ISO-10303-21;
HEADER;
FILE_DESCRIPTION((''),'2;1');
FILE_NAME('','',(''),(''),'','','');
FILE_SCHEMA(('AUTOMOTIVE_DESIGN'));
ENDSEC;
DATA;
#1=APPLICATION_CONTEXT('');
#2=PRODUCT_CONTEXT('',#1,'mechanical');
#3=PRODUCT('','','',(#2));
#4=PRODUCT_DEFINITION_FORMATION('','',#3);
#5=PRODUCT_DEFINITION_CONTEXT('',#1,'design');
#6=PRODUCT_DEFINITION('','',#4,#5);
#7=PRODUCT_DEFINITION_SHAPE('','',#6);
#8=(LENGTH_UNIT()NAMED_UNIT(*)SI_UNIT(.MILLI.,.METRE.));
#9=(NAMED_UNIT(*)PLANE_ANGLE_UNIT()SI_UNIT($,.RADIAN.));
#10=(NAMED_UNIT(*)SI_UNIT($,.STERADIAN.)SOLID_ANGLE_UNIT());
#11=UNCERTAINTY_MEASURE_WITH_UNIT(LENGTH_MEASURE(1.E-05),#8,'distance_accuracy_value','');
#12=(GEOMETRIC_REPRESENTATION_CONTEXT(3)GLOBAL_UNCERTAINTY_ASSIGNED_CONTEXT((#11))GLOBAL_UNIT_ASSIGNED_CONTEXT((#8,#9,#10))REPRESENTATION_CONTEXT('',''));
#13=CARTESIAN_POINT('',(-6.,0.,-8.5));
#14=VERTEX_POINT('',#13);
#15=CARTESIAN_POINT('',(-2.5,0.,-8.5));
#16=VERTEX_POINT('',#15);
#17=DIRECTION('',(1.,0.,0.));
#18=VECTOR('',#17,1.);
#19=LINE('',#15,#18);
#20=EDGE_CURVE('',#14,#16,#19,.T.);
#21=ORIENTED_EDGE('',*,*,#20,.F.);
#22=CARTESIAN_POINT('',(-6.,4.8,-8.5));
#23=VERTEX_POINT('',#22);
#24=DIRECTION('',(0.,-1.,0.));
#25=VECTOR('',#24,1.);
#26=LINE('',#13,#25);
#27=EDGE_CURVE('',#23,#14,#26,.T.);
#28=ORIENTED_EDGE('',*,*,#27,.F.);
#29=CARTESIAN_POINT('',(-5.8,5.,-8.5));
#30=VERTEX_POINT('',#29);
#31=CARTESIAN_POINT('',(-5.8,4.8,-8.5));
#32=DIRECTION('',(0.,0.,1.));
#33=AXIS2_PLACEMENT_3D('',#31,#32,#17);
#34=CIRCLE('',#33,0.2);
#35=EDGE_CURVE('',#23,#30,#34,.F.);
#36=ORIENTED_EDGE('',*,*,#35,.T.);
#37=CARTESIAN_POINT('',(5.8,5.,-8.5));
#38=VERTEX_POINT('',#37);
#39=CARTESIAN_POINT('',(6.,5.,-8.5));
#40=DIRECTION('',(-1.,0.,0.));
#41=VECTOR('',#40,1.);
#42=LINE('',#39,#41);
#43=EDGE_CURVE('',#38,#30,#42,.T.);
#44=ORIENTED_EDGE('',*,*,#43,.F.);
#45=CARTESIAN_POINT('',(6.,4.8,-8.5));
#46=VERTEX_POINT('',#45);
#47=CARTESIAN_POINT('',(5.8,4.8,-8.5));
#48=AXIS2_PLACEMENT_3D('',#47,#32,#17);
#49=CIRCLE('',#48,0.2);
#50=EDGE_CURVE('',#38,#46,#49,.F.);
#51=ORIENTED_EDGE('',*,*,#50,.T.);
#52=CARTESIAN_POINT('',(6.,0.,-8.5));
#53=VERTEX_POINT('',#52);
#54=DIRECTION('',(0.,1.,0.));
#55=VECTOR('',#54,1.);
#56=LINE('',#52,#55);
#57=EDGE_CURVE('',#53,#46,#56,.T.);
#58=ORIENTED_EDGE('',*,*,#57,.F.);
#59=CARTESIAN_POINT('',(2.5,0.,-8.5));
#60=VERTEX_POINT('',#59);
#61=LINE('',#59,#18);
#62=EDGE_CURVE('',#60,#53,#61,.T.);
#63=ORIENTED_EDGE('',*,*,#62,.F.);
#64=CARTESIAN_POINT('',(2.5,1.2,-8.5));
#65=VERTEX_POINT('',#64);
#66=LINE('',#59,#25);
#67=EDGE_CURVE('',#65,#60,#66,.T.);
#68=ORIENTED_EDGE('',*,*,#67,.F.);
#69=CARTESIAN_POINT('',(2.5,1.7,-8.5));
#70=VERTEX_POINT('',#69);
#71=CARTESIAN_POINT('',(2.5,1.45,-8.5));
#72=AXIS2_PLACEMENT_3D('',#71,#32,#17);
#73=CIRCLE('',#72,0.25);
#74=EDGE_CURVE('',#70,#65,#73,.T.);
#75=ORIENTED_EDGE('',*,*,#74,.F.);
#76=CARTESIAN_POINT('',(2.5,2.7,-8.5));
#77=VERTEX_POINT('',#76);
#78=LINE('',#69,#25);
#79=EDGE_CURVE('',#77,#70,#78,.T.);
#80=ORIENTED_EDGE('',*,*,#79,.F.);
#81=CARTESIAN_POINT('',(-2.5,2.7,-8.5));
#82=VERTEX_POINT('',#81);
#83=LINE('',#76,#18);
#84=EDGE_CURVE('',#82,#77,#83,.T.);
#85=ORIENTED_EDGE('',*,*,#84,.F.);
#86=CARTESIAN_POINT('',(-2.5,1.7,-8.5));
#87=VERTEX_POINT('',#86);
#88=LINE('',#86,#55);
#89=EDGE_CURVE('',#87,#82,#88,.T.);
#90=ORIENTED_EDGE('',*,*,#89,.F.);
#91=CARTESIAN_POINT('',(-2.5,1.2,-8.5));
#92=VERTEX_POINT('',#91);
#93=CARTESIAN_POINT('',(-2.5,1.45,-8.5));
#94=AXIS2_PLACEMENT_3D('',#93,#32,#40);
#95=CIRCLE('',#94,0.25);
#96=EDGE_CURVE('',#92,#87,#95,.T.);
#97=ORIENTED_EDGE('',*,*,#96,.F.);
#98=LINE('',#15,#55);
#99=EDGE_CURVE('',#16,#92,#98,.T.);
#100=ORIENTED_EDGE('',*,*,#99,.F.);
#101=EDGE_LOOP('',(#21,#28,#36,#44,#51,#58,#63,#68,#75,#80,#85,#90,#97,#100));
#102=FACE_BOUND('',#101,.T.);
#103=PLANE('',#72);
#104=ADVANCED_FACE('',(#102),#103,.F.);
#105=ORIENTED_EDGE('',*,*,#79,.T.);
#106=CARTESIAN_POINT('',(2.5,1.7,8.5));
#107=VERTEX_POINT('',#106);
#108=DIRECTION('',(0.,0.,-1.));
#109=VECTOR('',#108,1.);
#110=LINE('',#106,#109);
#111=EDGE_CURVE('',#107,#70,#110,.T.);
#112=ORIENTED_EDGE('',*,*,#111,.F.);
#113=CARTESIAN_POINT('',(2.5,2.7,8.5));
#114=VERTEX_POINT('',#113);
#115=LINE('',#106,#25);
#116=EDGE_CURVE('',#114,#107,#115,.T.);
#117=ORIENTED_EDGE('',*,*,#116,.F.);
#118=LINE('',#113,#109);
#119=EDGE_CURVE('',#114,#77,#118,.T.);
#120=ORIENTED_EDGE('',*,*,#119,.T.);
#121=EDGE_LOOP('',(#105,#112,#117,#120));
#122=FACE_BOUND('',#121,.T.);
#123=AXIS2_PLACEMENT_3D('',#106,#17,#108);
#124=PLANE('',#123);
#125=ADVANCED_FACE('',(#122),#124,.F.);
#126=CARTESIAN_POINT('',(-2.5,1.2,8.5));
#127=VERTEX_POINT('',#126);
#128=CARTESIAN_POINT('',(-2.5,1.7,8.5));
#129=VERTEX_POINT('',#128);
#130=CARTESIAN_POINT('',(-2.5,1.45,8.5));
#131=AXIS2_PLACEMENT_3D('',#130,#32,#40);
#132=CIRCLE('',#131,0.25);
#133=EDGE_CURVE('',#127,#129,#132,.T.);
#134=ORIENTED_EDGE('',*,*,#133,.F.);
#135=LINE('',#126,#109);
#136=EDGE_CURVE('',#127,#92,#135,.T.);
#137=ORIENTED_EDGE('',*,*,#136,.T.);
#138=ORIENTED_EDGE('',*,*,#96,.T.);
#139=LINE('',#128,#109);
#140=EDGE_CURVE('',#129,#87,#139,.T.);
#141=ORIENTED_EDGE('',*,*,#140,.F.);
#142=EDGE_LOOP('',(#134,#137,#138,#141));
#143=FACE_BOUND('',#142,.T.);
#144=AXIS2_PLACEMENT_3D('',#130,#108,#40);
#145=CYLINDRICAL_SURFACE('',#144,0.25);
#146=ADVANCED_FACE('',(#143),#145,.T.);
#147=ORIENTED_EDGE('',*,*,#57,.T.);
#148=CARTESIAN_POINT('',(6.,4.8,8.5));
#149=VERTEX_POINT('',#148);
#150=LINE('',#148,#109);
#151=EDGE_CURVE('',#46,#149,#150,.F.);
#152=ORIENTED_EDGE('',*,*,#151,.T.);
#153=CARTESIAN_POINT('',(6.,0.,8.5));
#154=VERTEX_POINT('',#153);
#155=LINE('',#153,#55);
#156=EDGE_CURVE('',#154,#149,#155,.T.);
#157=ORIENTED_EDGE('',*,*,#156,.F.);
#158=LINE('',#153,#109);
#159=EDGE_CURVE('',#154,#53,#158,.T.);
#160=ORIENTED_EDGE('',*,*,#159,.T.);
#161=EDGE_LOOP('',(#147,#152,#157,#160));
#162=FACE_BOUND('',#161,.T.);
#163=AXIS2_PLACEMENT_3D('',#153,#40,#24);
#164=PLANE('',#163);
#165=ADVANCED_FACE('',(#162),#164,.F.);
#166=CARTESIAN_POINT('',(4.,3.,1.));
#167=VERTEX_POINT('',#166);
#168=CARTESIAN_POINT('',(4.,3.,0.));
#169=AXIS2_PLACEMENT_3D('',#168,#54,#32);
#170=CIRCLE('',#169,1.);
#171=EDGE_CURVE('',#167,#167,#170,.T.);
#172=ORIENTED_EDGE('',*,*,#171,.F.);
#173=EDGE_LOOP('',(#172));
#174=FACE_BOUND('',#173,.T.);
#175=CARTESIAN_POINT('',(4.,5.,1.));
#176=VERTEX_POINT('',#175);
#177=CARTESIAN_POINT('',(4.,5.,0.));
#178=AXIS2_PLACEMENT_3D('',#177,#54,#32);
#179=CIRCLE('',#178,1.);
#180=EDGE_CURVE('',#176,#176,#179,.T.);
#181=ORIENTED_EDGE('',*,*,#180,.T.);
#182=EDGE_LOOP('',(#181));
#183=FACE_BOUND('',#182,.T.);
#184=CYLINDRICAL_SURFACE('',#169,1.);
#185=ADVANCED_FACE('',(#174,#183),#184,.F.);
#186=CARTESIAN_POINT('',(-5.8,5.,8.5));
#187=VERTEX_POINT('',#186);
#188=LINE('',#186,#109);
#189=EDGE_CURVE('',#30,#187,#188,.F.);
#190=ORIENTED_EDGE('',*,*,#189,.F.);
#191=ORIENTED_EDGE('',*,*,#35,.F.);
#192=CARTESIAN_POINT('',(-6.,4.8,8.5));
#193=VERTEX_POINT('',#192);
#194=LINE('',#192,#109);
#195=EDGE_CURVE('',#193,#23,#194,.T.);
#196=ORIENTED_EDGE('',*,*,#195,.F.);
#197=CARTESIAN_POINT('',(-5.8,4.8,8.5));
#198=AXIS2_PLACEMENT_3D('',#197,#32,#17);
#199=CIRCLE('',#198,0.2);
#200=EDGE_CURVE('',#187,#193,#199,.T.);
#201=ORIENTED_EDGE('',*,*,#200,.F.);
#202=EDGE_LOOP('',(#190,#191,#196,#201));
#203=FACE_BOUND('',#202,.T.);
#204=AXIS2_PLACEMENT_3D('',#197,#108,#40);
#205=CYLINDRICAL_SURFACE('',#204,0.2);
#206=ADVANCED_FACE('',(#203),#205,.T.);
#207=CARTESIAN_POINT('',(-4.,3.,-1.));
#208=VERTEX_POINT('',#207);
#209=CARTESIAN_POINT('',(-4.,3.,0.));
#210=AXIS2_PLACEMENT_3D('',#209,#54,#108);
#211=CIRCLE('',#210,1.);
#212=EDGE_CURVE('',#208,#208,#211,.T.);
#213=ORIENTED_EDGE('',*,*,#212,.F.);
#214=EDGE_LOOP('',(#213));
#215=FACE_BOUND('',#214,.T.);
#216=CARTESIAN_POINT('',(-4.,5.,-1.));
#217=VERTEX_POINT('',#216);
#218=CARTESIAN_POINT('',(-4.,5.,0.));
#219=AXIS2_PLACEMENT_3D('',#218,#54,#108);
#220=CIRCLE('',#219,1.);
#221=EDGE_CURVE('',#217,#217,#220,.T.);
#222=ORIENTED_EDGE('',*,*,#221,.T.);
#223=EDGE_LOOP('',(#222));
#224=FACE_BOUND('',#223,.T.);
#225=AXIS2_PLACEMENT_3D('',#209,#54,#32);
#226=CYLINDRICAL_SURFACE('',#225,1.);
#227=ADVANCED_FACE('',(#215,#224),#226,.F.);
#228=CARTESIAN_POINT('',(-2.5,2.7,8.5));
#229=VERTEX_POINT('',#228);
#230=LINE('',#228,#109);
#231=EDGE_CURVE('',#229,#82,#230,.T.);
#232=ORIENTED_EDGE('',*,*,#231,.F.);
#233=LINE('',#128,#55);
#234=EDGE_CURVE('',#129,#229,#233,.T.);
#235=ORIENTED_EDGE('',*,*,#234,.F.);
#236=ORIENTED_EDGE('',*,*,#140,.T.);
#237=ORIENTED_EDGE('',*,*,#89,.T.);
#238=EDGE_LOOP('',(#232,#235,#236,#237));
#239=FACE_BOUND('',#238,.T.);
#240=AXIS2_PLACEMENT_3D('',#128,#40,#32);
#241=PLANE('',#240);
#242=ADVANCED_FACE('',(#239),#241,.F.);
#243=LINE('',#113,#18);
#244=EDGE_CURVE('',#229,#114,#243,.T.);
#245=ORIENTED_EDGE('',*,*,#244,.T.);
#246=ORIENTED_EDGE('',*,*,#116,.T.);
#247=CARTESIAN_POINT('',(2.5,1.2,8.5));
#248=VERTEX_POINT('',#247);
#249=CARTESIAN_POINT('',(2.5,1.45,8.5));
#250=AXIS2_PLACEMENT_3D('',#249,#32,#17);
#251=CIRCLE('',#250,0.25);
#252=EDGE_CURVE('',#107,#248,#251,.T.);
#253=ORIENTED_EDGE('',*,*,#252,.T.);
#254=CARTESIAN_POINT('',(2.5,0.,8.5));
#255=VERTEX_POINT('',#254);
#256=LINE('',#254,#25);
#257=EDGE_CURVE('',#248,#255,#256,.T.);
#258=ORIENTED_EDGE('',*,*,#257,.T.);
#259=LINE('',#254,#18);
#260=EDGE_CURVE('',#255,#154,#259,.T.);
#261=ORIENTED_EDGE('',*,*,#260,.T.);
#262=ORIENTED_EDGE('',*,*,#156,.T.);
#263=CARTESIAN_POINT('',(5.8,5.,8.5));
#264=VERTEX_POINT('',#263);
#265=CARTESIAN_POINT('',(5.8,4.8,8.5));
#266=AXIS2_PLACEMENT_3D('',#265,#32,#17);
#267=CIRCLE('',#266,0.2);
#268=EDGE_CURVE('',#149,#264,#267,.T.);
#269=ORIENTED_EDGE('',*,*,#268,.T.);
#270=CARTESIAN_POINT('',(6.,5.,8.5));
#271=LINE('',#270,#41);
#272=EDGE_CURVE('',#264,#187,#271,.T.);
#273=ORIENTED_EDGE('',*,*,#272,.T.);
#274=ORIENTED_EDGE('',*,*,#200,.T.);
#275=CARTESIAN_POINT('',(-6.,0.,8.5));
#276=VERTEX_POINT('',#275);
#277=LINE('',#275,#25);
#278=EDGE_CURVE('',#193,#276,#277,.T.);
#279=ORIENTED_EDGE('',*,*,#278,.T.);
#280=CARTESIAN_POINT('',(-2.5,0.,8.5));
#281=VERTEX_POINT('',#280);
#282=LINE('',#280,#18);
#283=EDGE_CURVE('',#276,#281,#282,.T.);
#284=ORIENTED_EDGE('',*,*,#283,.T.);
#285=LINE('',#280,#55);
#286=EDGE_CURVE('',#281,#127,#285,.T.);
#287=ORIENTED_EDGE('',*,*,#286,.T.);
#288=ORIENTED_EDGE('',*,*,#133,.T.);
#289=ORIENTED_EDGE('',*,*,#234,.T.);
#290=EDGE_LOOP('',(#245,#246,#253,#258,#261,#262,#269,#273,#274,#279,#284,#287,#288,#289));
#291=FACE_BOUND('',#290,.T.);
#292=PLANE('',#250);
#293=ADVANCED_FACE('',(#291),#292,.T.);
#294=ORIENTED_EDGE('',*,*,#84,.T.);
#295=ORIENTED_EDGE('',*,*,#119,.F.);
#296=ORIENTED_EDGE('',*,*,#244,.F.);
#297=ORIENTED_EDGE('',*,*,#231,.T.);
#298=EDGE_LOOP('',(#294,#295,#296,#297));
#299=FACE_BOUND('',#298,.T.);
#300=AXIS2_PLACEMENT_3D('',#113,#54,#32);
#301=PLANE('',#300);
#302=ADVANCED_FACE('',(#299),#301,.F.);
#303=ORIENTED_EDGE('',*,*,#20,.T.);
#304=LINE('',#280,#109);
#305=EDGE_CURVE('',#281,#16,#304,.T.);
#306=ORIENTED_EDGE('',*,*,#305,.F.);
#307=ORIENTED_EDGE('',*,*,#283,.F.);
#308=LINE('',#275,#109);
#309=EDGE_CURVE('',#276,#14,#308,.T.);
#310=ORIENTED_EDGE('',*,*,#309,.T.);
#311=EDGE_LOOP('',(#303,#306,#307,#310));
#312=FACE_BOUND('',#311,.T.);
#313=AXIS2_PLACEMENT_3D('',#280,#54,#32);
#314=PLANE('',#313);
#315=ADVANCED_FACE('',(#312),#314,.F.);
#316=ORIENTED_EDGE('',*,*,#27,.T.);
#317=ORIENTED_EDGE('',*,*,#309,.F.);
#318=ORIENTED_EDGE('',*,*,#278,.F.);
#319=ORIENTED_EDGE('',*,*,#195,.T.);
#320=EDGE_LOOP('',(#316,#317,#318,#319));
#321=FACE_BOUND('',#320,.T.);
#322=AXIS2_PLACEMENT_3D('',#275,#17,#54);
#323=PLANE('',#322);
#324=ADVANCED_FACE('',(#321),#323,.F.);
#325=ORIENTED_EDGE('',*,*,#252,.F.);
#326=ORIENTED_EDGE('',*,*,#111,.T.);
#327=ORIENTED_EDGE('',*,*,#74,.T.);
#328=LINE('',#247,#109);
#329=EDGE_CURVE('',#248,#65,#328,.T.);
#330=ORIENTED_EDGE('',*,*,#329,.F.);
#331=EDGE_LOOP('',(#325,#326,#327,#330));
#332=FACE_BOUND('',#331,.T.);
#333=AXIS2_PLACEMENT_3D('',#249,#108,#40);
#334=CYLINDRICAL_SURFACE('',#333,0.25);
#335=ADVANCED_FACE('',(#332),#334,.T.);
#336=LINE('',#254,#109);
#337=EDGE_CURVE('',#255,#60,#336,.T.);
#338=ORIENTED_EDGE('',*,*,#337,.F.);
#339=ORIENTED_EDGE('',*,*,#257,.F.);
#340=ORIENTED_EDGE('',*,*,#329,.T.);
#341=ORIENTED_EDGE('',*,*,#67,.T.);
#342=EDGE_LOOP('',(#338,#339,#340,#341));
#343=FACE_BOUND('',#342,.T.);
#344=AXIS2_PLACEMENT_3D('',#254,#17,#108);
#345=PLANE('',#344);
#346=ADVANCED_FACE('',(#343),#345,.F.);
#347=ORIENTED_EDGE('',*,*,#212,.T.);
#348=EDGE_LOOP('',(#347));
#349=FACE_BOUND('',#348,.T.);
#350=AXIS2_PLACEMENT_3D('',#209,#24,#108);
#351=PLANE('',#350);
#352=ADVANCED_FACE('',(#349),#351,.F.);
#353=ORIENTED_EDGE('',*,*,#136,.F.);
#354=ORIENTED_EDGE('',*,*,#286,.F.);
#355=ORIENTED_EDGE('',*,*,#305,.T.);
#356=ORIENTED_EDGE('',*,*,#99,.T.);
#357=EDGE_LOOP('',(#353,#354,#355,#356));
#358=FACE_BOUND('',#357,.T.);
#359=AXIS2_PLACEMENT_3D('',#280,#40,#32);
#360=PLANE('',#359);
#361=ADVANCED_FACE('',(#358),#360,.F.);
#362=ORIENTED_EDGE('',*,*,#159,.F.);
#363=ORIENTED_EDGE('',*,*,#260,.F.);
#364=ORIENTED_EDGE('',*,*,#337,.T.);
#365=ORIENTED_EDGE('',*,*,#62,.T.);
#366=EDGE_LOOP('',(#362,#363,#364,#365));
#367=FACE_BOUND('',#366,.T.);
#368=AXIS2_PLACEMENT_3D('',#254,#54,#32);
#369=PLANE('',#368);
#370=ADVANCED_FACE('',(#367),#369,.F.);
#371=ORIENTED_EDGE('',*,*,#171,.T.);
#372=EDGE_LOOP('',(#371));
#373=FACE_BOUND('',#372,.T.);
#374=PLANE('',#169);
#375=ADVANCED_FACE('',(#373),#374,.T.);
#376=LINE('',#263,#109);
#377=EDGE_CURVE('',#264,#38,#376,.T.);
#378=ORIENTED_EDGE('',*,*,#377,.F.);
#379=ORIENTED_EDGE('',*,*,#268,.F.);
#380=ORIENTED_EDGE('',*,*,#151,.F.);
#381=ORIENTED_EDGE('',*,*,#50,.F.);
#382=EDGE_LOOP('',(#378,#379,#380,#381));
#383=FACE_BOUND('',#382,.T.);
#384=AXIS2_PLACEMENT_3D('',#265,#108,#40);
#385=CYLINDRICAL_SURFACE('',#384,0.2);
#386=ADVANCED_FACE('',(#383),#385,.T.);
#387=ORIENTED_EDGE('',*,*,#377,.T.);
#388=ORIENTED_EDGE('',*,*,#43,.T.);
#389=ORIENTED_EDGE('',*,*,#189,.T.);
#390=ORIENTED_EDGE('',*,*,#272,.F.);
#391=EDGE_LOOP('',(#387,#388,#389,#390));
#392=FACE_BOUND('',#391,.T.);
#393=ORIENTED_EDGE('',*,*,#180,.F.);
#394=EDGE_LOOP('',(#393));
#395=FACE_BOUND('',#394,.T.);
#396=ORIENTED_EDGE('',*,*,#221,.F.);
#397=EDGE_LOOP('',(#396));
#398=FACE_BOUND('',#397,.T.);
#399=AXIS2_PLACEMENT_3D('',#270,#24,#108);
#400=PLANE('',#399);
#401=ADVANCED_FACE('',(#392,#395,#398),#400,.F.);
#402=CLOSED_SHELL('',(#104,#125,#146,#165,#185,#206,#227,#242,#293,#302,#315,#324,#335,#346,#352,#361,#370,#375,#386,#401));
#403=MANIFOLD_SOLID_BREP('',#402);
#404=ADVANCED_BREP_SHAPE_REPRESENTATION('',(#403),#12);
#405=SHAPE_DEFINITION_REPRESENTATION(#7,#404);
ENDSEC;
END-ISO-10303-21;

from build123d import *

# Parameters (mm, degrees)
BOSS_EXTRUDE1_DEPTH = 8.5
SKETCH2_R           = 1
CUT_EXTRUDE1_DEPTH  = 2
FILLET1_R           = 0.2


with BuildPart() as part:
    # Sketch1 → Boss-Extrude1 (new, symmetric)
    with BuildSketch(Plane.XY):
        with BuildLine():
            Line((2.5, 0), (6, 0))
            Line((6, 0), (6, 5))
            Line((6, 5), (-6, 5))
            Line((-6, 5), (-6, 0))
            Line((-6, 0), (-2.5, 0))
            Line((-2.5, 0), (-2.5, 1.2))
            ThreePointArc((-2.5, 1.2), (-2.25, 1.45), (-2.5, 1.7))
            Line((-2.5, 1.7), (-2.5, 2.7))
            Line((-2.5, 2.7), (2.5, 2.7))
            Line((2.5, 2.7), (2.5, 1.7))
            ThreePointArc((2.5, 1.7), (2.25, 1.45), (2.5, 1.2))
            Line((2.5, 1.2), (2.5, 0))
        make_face()
    extrude(amount=BOSS_EXTRUDE1_DEPTH, both=True)

    # Sketch2 → Cut-Extrude1 (cut)
    with BuildSketch(Plane(origin=(0, 5, 0), x_dir=(1, 0, 0), z_dir=(0, 1, 0))):
        with Locations(Location((4, 0, 0), (0, 0, 270))):
            Circle(SKETCH2_R)
        with Locations(Location((-4, 0, 0), (0, 0, 90))):
            Circle(SKETCH2_R)
    extrude(amount=-CUT_EXTRUDE1_DEPTH, mode=Mode.SUBTRACT)

    # Fillet1
    fillet1_edges = [part.edges().sort_by_distance(p)[0] for p in [
        (-6, 5, 0),
        (6, 5, 0),
    ]]
    fillet(fillet1_edges, radius=FILLET1_R)


solid = part.part
